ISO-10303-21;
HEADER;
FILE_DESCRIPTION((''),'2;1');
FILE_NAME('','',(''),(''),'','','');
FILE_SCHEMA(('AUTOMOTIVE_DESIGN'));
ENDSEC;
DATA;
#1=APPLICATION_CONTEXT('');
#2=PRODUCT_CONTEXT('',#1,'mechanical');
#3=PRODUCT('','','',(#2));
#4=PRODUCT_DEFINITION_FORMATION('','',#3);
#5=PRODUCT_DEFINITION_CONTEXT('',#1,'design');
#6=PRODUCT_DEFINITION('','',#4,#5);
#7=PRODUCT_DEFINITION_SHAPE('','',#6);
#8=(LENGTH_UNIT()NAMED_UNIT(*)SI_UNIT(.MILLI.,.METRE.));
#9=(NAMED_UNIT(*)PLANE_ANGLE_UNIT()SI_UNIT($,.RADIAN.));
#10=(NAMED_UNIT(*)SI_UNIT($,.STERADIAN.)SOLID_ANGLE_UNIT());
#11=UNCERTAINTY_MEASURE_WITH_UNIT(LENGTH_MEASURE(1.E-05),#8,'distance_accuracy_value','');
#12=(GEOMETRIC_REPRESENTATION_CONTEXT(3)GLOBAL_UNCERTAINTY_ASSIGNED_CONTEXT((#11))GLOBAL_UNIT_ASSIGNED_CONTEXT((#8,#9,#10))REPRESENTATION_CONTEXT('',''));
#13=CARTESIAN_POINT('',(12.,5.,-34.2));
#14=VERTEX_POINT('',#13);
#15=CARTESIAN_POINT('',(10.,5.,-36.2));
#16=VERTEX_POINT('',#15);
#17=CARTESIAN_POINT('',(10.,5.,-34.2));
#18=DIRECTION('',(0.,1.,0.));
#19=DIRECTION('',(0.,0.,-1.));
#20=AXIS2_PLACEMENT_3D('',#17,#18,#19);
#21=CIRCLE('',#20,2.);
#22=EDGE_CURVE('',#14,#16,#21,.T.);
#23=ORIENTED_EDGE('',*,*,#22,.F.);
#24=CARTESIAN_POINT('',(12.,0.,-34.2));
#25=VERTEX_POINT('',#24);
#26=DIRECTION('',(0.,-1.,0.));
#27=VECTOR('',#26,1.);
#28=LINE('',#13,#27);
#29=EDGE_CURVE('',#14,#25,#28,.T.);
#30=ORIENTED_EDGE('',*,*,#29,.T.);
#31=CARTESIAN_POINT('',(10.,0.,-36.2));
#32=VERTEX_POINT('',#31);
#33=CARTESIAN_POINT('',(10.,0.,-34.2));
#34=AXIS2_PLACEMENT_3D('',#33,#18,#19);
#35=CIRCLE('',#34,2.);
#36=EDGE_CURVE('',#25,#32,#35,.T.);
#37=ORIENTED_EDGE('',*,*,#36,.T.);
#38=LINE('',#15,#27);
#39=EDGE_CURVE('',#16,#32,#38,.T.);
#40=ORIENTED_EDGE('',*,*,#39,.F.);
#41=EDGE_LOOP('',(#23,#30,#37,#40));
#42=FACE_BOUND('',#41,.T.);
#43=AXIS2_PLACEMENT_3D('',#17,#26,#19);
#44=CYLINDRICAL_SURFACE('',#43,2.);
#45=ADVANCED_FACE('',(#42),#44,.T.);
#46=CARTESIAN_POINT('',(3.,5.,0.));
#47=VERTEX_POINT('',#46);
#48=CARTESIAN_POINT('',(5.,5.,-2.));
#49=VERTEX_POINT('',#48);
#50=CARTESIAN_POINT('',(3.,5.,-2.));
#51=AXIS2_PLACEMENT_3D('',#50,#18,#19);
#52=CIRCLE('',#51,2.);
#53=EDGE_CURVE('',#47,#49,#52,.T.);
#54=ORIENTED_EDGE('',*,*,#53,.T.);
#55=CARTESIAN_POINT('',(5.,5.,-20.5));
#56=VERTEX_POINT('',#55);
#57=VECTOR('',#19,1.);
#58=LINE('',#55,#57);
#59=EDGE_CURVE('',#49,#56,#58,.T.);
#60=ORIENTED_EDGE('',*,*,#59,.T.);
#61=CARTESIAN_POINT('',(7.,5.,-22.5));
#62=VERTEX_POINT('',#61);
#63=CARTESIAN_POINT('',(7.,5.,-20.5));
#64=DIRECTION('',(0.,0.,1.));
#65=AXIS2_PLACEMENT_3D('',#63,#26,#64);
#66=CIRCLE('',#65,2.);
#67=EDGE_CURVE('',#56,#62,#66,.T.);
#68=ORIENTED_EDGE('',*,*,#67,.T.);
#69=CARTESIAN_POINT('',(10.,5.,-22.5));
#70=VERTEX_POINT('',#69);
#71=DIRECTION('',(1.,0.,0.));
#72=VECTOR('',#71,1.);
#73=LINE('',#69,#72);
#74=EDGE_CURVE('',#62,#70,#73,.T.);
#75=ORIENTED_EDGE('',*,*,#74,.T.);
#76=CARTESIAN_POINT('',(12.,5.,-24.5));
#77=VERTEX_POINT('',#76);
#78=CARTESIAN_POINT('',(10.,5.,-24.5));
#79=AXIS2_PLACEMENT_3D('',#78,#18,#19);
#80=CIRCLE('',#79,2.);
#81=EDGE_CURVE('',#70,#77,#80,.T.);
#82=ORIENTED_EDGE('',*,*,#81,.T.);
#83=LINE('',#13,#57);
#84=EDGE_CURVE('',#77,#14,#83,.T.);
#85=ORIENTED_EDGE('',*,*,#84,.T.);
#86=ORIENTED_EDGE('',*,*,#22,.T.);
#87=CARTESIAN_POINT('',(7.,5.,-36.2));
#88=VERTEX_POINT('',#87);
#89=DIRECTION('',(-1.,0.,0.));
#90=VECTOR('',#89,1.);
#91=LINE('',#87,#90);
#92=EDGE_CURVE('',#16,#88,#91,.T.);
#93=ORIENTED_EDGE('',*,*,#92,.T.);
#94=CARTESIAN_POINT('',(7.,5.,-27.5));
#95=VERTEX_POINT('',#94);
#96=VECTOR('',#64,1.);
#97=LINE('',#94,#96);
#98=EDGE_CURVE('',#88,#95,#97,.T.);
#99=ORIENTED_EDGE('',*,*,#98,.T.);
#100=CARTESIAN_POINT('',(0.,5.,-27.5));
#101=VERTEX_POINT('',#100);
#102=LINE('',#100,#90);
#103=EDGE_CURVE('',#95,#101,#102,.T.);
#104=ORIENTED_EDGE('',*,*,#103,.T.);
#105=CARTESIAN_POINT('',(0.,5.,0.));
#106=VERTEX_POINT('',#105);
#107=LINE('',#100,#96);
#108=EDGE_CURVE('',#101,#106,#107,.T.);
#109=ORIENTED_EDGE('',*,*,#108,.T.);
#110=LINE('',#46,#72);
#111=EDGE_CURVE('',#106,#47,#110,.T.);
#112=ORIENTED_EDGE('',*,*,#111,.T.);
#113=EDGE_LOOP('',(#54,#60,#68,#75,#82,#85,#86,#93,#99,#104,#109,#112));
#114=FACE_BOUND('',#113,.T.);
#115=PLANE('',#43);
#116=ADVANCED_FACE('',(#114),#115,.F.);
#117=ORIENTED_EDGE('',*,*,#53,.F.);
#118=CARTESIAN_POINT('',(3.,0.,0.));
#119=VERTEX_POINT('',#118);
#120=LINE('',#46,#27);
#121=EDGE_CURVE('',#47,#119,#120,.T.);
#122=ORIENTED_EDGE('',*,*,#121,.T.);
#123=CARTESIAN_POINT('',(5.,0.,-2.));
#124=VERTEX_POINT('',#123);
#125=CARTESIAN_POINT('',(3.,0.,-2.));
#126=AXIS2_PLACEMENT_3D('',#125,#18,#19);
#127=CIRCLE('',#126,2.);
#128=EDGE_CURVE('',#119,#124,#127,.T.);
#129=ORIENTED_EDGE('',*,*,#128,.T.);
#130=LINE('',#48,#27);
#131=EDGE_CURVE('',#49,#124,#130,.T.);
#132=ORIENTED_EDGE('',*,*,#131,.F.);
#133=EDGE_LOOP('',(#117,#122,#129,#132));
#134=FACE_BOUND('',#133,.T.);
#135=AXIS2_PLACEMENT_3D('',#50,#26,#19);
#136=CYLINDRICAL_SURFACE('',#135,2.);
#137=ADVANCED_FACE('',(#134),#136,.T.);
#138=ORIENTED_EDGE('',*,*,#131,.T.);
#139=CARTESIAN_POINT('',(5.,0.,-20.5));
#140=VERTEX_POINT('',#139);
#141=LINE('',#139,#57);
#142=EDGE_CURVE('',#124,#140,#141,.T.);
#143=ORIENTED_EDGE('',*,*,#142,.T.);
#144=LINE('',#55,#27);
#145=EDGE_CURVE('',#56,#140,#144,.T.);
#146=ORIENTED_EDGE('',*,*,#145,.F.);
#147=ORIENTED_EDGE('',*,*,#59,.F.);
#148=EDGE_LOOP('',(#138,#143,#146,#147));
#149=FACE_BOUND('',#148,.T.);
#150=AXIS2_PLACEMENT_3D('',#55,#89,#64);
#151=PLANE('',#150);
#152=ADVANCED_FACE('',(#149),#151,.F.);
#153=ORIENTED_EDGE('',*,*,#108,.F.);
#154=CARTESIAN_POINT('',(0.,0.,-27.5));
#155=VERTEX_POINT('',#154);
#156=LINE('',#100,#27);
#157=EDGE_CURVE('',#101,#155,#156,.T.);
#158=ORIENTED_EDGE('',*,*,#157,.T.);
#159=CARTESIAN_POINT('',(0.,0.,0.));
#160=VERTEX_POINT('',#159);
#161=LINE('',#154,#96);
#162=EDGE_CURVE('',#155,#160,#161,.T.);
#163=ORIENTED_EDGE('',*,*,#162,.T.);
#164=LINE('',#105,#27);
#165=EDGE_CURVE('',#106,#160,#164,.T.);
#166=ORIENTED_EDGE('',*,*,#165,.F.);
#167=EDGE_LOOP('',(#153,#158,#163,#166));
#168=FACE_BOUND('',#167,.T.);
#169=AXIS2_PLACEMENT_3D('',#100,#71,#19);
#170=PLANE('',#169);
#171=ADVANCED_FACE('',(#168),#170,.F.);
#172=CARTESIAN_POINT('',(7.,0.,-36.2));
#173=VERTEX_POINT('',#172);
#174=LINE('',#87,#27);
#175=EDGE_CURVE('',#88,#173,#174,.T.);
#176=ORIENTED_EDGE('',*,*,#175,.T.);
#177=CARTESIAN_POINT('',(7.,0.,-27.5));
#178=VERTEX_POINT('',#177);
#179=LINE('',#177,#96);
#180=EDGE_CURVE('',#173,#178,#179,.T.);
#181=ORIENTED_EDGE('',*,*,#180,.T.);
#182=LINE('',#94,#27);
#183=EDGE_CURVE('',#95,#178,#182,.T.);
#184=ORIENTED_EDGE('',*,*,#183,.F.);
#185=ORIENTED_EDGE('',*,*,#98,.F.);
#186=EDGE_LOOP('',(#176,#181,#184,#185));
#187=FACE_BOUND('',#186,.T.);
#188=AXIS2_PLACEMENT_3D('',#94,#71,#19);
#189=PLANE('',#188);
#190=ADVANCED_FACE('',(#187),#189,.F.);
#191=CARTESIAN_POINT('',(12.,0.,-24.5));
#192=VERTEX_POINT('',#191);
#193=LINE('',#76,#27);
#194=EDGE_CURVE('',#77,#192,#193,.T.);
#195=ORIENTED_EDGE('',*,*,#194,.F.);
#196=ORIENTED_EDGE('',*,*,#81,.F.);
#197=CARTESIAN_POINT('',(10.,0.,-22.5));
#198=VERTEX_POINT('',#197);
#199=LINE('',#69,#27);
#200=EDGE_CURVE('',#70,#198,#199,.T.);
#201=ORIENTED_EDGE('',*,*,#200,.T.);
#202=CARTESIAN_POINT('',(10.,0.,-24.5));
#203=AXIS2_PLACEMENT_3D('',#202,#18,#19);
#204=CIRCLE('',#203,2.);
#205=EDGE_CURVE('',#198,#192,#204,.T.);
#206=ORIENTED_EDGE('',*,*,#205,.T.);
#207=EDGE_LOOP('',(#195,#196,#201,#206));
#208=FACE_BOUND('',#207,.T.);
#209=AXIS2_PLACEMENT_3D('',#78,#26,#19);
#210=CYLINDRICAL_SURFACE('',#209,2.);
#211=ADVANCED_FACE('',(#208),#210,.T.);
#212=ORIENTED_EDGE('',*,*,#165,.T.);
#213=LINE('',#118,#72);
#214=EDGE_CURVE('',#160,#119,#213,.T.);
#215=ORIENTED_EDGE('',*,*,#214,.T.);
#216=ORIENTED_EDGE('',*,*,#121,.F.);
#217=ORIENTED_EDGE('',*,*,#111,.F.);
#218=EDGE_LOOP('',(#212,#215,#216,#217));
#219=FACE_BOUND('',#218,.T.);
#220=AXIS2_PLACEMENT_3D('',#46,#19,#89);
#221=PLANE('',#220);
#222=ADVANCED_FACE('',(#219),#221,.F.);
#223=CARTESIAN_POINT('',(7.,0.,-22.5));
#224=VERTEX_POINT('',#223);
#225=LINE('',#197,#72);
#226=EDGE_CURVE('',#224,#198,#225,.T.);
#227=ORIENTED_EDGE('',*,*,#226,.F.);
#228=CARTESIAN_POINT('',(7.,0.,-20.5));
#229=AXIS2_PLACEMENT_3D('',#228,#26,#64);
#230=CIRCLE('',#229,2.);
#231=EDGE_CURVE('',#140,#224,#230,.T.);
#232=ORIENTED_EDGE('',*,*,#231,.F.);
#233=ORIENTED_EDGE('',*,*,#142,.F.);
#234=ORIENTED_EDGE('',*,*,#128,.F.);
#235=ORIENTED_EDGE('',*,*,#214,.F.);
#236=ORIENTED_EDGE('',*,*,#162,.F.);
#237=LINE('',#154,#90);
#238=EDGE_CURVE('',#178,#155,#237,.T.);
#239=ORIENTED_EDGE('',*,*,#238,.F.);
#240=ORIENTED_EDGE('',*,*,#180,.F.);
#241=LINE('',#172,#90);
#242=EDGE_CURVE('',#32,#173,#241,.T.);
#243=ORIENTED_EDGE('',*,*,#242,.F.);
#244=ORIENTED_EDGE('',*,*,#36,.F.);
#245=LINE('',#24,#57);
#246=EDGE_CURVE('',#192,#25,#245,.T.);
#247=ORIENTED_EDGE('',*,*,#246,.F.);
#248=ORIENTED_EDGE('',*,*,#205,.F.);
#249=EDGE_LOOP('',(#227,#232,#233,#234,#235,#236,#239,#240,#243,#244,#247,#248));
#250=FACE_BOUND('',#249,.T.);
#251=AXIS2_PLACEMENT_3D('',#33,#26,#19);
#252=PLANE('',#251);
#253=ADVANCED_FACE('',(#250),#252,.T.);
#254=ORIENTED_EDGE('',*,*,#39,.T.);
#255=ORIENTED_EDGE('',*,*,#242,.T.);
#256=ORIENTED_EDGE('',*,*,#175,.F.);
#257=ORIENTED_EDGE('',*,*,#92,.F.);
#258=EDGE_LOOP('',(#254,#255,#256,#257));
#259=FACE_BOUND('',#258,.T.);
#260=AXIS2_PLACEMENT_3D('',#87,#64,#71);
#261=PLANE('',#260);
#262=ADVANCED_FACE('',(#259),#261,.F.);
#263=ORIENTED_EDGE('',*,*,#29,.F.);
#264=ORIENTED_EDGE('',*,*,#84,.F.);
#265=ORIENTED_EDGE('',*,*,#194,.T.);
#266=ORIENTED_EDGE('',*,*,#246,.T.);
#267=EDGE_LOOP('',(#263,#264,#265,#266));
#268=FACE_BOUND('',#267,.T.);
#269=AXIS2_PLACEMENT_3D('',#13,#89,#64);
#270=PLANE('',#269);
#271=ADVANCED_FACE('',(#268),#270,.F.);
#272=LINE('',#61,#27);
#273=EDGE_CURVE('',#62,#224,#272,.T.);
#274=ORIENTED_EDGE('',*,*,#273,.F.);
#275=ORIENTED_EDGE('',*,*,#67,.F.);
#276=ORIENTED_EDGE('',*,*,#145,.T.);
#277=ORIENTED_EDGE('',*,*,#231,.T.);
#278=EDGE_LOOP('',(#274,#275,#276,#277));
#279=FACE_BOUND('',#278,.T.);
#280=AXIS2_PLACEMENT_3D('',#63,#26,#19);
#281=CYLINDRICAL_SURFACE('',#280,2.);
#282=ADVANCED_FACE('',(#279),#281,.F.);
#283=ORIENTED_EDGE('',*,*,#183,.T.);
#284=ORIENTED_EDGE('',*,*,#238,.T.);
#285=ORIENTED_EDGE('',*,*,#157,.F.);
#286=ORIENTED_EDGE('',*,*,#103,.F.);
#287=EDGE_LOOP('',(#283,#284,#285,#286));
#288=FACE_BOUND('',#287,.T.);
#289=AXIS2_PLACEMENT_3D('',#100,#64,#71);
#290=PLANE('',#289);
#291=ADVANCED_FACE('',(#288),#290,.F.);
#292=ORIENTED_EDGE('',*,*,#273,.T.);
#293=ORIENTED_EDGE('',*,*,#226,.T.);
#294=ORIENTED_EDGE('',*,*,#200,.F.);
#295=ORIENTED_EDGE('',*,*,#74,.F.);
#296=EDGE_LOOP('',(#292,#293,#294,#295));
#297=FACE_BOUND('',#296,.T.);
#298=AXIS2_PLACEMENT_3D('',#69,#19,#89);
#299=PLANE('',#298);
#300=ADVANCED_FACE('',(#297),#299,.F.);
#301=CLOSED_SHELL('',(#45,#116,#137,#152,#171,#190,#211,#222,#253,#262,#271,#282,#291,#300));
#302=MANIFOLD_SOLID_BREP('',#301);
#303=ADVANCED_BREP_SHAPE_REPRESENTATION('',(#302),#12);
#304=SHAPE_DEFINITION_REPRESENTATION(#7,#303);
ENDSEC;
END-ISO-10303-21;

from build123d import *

# Parameters (mm, degrees)
BOSS_EXTRUDE1_DEPTH = 5


with BuildPart() as part:
    # Sketch1 → Boss-Extrude1 (new body)
    with BuildSketch(Plane(origin=(0, 0, 0), x_dir=(1, 0, 0), z_dir=(0, 1, 0))):
        with BuildLine():
            Line((7, 36.2), (10, 36.2))
            ThreePointArc((10, 36.2), (11.414213562, 35.614213562), (12, 34.2))
            Line((12, 34.2), (12, 24.5))
            ThreePointArc((12, 24.5), (11.414213562, 23.085786438), (10, 22.5))
            Line((10, 22.5), (7, 22.5))
            ThreePointArc((7, 22.5), (5.585786438, 21.914213562), (5, 20.5))
            Line((5, 20.5), (5, 2))
            ThreePointArc((5, 2), (4.414213562, 0.585786438), (3, 0))
            Line((3, 0), (0, 0))
            Line((0, 0), (0, 27.5))
            Line((0, 27.5), (7, 27.5))
            Line((7, 27.5), (7, 36.2))
        make_face()
    extrude(amount=BOSS_EXTRUDE1_DEPTH)


solid = part.part
